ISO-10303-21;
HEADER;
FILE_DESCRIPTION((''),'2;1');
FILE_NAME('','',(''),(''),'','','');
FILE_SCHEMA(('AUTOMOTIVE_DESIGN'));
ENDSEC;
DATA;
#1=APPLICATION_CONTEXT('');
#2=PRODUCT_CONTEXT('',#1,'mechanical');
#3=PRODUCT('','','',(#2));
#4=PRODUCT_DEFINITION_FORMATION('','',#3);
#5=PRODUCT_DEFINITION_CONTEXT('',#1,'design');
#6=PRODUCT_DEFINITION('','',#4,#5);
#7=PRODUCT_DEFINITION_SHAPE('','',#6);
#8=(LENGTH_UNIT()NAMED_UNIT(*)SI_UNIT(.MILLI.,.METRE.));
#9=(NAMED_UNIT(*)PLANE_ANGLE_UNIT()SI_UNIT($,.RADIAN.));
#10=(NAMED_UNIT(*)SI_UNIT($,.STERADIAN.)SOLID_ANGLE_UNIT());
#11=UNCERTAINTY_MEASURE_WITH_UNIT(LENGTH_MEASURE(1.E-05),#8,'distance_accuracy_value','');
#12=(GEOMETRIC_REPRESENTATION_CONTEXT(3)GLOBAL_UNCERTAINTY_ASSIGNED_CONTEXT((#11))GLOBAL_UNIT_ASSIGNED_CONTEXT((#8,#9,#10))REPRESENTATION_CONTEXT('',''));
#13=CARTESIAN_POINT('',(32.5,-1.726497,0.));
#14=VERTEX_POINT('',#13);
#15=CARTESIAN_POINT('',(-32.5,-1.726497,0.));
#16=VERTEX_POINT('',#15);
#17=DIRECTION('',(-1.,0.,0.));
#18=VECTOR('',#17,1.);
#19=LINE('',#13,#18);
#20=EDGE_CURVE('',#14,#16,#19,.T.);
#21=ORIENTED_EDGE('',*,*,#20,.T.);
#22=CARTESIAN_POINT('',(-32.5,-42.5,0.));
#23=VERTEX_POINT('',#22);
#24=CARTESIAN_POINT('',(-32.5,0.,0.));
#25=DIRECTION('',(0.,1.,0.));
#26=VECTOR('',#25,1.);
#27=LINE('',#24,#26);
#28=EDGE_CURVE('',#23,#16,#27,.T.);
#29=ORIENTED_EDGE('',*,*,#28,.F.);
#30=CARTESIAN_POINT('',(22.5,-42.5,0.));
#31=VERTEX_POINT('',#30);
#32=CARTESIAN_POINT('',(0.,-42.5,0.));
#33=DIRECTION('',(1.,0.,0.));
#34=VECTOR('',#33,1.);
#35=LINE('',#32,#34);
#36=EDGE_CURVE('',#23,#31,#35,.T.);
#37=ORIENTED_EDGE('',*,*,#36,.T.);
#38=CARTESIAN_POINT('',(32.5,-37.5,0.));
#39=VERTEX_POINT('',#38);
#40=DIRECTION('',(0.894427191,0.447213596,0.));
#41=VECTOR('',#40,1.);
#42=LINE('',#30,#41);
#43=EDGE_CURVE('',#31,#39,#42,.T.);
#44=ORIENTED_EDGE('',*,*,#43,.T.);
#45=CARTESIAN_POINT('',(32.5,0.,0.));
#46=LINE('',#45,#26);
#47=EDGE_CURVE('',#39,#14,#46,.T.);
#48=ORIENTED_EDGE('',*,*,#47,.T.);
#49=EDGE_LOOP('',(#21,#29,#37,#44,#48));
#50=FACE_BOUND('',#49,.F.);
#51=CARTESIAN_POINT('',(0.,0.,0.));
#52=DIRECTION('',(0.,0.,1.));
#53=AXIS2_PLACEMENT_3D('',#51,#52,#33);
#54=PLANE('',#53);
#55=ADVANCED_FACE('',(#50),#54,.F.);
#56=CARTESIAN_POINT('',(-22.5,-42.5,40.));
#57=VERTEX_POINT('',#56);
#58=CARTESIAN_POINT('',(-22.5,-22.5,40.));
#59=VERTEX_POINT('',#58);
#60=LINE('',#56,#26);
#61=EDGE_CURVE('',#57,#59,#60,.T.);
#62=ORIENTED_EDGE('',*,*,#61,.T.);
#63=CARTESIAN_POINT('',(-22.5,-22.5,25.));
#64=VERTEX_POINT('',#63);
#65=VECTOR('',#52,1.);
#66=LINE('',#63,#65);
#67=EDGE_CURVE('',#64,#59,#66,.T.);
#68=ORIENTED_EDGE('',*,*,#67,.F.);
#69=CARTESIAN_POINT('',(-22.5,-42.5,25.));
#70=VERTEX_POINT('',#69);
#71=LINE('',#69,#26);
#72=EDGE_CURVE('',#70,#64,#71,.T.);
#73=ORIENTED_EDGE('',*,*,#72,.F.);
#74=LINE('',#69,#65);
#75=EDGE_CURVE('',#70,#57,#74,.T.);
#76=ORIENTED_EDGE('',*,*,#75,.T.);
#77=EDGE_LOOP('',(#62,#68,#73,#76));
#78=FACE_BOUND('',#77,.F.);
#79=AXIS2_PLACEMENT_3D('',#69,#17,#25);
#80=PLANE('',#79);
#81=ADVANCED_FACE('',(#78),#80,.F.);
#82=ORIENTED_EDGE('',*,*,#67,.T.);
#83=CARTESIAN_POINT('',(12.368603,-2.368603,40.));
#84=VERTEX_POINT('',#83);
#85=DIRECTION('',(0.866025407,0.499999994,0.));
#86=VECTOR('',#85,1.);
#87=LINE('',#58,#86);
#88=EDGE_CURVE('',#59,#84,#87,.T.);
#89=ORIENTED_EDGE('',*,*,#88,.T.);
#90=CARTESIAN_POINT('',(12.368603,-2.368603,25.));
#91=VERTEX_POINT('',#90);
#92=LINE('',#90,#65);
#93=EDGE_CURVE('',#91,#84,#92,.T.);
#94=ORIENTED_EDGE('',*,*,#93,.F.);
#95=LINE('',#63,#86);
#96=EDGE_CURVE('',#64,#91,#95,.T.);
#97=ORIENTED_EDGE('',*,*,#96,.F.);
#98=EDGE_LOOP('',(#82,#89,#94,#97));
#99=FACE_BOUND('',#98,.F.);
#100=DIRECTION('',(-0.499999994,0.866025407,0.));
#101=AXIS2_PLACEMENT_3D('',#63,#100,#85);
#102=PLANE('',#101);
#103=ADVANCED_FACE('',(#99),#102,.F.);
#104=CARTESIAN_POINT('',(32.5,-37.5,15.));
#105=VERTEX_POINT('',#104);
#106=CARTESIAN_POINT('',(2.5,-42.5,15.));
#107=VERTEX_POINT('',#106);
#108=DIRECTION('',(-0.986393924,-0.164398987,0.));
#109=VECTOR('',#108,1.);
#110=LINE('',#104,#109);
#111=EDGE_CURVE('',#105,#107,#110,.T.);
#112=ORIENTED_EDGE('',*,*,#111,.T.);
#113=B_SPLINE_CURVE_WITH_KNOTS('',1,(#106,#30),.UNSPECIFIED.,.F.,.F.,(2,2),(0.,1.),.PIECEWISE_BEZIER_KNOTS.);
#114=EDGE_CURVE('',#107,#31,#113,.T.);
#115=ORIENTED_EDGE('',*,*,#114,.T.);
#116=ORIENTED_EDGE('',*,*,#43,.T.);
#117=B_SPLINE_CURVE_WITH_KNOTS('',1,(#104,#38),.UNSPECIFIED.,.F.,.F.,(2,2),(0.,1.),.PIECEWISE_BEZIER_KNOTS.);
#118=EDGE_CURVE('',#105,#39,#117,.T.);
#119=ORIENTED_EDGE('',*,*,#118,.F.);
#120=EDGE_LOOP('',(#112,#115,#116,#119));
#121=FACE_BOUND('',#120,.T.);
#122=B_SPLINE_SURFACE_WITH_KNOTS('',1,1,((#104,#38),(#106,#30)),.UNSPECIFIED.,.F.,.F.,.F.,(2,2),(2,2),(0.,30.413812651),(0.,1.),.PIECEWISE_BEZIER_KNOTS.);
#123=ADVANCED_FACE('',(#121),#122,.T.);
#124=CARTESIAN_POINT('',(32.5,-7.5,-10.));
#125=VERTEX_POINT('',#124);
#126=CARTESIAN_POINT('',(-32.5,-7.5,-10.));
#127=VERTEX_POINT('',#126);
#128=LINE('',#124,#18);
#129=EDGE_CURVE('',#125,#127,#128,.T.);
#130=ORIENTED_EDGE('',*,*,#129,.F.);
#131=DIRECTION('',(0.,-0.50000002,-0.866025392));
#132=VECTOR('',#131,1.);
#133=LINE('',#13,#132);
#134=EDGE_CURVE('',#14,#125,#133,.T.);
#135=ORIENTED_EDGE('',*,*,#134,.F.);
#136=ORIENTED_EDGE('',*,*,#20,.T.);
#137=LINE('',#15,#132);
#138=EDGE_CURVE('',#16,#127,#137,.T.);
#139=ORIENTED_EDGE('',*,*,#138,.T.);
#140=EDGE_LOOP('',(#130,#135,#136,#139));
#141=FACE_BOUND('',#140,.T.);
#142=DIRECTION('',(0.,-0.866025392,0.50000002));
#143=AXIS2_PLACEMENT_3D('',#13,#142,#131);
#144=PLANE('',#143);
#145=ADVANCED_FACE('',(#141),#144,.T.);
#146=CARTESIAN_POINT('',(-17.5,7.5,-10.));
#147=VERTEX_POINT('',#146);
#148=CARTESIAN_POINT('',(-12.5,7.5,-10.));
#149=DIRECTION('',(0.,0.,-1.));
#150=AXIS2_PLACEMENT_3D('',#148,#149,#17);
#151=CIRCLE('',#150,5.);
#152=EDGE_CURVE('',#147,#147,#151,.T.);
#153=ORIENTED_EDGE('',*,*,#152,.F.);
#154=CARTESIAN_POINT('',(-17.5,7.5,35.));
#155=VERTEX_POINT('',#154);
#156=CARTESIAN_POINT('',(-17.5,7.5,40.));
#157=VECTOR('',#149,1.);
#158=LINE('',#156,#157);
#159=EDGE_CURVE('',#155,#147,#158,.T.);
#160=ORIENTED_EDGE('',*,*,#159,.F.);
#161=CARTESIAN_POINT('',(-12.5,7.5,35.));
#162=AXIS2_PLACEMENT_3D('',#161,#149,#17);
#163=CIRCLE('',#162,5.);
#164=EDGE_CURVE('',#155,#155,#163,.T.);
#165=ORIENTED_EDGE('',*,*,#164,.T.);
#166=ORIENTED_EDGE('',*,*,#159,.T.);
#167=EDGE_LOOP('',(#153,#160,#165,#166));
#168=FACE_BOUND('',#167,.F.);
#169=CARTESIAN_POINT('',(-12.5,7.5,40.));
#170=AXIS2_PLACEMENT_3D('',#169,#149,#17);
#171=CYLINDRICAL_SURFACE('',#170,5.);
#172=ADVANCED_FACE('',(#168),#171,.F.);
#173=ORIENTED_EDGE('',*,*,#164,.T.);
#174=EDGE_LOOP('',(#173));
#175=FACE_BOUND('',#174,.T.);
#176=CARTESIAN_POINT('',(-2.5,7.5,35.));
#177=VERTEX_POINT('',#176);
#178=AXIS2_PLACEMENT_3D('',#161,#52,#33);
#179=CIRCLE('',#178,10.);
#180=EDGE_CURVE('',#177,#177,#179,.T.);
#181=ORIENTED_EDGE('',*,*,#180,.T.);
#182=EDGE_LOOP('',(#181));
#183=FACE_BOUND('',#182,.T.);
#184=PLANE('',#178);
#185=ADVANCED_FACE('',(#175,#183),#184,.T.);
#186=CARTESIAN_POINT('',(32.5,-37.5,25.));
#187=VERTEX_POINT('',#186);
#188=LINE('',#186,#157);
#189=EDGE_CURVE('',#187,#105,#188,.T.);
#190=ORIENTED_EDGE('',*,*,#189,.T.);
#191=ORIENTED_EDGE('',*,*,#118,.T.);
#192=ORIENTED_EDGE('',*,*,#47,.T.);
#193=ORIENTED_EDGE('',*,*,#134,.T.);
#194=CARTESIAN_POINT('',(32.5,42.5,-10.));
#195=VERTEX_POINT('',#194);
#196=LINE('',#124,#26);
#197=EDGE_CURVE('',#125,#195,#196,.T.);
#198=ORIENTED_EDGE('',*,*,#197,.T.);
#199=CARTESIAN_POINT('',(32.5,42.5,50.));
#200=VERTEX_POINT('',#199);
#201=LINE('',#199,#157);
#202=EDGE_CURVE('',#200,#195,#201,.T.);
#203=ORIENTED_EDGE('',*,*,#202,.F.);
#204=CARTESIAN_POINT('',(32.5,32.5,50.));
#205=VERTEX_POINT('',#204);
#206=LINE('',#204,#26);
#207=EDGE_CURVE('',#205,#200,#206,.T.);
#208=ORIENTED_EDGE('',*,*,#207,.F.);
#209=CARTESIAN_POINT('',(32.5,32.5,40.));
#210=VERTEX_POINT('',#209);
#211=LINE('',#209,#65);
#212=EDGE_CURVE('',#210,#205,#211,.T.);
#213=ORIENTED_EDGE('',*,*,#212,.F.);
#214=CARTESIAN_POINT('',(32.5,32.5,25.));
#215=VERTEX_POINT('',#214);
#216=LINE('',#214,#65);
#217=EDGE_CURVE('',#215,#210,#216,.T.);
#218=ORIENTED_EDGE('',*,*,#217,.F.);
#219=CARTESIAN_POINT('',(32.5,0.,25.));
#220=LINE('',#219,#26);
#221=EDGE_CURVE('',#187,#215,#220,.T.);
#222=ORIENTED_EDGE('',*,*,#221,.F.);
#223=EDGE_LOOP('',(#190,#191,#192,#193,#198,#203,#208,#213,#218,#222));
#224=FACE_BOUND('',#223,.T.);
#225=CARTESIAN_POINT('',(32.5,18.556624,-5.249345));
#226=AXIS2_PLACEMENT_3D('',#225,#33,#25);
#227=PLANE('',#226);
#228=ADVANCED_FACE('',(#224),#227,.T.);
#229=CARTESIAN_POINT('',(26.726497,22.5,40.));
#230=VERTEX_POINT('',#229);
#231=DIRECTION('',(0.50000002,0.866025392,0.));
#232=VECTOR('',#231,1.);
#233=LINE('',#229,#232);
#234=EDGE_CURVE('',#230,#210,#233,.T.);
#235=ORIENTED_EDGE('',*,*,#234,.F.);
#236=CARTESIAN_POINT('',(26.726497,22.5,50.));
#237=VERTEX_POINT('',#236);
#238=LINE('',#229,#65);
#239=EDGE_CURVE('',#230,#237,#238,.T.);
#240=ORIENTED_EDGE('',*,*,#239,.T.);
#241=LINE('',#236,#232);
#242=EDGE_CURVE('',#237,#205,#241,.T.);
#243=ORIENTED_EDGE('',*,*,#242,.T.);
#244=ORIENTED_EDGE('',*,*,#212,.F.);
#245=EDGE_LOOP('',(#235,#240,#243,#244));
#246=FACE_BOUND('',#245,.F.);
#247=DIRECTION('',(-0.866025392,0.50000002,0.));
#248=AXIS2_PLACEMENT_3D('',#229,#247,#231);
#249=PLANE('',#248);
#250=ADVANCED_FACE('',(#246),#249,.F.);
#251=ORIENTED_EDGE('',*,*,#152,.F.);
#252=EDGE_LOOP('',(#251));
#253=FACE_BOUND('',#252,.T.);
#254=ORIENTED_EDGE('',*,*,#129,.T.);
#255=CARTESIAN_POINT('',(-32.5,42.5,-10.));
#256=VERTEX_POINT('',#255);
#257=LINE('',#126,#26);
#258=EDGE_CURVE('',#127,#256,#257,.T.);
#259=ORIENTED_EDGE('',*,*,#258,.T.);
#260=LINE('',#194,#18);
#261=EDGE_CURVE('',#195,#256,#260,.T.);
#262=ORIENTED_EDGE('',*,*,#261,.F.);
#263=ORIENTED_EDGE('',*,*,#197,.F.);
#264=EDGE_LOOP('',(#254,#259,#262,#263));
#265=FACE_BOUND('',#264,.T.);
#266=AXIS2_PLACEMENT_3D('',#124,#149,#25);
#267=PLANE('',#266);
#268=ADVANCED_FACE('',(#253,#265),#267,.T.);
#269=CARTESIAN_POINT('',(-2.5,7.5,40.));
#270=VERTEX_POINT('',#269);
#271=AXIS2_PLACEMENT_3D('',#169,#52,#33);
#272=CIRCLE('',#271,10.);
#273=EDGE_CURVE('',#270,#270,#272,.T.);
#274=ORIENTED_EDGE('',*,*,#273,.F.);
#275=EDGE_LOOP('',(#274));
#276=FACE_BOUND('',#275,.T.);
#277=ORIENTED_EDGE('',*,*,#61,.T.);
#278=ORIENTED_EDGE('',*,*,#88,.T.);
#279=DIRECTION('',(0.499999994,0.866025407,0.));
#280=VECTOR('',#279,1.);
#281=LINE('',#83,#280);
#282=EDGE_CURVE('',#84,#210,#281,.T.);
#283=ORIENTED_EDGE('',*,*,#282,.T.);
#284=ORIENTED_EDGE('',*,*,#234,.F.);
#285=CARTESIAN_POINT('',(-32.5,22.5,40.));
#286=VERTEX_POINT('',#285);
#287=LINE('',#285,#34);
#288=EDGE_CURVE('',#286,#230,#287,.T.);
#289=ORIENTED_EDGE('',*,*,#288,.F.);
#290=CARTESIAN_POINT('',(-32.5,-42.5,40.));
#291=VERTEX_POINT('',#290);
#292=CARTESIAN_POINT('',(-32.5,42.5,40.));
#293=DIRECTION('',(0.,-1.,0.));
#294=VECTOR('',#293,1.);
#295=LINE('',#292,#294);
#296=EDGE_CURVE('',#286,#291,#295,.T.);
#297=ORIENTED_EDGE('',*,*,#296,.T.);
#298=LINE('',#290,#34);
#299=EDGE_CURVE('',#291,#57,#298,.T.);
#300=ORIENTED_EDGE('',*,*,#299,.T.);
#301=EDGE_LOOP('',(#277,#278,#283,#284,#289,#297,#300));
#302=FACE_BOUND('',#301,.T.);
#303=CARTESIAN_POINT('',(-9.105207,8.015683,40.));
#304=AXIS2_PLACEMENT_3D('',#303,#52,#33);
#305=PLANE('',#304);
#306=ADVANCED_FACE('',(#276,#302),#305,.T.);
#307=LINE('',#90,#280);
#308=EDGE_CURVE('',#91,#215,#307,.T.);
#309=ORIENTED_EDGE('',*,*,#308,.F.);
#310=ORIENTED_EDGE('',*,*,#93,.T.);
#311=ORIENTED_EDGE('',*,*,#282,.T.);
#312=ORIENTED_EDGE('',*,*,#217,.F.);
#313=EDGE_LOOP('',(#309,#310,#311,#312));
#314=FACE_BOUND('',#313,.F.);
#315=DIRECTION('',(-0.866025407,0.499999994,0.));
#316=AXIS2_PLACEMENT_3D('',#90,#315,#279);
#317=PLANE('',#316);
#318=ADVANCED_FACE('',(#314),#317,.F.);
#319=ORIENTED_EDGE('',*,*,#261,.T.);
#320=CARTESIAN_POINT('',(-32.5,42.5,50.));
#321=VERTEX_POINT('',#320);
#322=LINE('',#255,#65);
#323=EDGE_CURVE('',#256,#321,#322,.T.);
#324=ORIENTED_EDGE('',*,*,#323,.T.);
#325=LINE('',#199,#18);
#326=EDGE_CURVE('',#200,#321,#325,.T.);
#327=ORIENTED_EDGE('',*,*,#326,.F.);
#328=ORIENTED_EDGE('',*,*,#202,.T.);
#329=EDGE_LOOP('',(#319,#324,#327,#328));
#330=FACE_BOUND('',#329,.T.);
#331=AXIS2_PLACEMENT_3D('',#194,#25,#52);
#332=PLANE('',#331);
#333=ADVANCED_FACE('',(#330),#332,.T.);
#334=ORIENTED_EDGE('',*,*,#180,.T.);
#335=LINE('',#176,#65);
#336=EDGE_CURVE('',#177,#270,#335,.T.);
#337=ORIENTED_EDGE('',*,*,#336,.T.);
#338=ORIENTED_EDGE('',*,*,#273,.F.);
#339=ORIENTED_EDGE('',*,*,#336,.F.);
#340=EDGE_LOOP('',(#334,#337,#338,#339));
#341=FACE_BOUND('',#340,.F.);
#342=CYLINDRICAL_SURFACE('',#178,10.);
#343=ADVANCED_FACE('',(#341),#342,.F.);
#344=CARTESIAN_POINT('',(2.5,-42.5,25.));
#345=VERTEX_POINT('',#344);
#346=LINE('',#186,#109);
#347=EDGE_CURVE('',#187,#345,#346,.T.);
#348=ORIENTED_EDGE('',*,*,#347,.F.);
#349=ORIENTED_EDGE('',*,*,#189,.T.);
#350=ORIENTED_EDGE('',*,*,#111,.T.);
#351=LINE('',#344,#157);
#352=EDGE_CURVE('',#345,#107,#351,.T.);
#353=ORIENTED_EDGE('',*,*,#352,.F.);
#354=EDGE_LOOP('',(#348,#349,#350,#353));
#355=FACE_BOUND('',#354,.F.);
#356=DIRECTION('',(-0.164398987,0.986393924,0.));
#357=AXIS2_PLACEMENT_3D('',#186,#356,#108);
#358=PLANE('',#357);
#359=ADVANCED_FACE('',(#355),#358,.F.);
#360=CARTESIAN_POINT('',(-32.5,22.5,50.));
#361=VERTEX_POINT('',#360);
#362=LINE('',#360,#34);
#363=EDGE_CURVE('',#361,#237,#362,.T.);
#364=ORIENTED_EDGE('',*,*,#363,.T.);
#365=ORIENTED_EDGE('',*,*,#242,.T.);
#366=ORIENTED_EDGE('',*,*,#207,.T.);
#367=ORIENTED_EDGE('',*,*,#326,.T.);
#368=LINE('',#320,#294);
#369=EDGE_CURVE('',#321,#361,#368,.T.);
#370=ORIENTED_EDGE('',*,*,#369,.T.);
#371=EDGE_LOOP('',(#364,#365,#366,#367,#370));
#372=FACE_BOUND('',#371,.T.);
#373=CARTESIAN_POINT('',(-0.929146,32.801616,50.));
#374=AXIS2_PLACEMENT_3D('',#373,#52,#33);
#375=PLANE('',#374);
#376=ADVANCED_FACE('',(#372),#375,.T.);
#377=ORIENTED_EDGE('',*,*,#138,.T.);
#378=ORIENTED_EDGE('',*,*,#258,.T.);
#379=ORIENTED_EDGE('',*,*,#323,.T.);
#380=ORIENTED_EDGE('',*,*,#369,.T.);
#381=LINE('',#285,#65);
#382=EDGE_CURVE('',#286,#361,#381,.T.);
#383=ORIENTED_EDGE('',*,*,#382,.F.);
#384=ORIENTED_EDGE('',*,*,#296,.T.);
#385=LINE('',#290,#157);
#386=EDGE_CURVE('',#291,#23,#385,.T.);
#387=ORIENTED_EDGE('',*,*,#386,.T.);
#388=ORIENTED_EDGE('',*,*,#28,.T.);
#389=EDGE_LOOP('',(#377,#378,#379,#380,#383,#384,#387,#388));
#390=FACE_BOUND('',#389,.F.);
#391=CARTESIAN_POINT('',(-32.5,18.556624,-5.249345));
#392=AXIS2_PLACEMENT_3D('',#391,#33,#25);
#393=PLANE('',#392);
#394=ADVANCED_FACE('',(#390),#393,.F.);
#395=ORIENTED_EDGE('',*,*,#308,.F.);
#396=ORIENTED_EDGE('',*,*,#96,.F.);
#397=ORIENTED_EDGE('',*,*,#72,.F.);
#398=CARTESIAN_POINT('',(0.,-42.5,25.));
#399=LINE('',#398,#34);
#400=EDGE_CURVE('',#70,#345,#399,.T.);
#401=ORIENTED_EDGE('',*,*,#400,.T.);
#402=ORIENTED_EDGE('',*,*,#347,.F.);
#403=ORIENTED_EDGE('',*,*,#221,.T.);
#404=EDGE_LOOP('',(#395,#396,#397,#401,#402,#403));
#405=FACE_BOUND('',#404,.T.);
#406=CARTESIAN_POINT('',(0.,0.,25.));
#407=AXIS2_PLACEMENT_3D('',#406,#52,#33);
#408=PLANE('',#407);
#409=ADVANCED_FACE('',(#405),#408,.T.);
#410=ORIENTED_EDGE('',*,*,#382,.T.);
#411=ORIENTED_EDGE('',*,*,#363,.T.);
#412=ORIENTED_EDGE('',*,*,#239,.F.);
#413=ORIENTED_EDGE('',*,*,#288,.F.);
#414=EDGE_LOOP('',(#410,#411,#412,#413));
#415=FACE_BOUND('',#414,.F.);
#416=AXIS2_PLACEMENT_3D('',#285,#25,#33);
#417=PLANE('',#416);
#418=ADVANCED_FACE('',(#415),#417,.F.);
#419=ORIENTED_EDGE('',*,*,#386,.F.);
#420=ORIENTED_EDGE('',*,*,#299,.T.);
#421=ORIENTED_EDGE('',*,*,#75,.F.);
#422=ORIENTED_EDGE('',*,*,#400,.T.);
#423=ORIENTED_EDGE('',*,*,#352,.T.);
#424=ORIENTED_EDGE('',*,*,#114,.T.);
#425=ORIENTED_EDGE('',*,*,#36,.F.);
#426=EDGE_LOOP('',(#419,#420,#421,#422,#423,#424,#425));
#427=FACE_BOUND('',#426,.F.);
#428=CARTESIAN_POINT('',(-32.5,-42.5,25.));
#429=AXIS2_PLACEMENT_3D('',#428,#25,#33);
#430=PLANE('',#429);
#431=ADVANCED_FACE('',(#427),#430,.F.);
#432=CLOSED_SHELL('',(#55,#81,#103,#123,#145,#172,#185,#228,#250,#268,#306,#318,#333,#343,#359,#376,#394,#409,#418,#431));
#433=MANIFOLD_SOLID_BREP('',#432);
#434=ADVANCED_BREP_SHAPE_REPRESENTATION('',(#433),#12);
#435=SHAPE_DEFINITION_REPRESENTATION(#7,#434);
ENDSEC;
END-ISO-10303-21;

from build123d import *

# Parameters (mm, degrees)
F0_W            = 65
F0_H            = 85
F1_DEPTH        = 25
F3_DEPTH        = 15
F5_DEPTH        = 10
F9_DEPTH        = 10
F12_DEPTH       = 65
F14_D           = 10
F14_CBORE_D     = 20
F14_CBORE_DEPTH = 5


with BuildPart() as f1:
    # F0 (on Top) → F1 (new body)
    with BuildSketch(Plane.XY):
        Rectangle(F0_W, F0_H)
    extrude(amount=F1_DEPTH)

    # F2 (on face) → F3 (join)
    with BuildSketch(Plane.XY.offset(25)):
        Polygon((-32.5, -42.5), (-22.5, -42.5), (-22.5, -22.5), (12.368603, -2.368603), (32.5, 32.5), (32.5, 42.5), (-32.5, 42.5), align=None)
    extrude(amount=F3_DEPTH)

    # F4 (on face) → F5 (join)
    with BuildSketch(Plane.XY.offset(40)):
        Polygon((-32.5, 42.5), (-32.5, 22.5), (26.726497, 22.5), (32.5, 32.5), (32.5, 42.5), align=None)
    extrude(amount=F5_DEPTH)

    # F8 (on face) → F9 (cut)
    with BuildSketch(Plane.XY.offset(25)):
        Polygon((32.5, -37.5), (2.5, -42.5), (32.5, -42.5), align=None)
    extrude(amount=-F9_DEPTH, mode=Mode.SUBTRACT)

    # F9_face (on face) → F10 section 0
    with BuildSketch(Plane(origin=(22.5, -40.833333, 15), x_dir=(1, 0, 0), z_dir=(0, 0, 1))):
        Polygon((10, 3.333333), (-20, -1.666667), (10, -1.666667), align=None)
    # F6 (on face) → F10 section 1
    with BuildSketch(Plane(origin=(0, 0, 0), x_dir=(1, 0, 0), z_dir=(0, 0, -1))):
        Polygon((32.5, 42.5), (22.5, 42.5), (32.5, 37.5), align=None)
    loft(mode=Mode.SUBTRACT)

    # F11 (on face) → F12 (join, through all)
    with BuildSketch(Plane.YZ.offset(32.5)):
        Polygon((42.5, -10), (42.5, 0), (-1.726497, 0), (-7.5, -10), align=None)
    extrude(amount=-F12_DEPTH)

    # F14 (through all)
    with Locations(Plane.XY.offset(40)):
        with Locations((-12.5, 7.5)):
            CounterBoreHole(F14_D / 2, F14_CBORE_D / 2, F14_CBORE_DEPTH)


solid = f1.part
